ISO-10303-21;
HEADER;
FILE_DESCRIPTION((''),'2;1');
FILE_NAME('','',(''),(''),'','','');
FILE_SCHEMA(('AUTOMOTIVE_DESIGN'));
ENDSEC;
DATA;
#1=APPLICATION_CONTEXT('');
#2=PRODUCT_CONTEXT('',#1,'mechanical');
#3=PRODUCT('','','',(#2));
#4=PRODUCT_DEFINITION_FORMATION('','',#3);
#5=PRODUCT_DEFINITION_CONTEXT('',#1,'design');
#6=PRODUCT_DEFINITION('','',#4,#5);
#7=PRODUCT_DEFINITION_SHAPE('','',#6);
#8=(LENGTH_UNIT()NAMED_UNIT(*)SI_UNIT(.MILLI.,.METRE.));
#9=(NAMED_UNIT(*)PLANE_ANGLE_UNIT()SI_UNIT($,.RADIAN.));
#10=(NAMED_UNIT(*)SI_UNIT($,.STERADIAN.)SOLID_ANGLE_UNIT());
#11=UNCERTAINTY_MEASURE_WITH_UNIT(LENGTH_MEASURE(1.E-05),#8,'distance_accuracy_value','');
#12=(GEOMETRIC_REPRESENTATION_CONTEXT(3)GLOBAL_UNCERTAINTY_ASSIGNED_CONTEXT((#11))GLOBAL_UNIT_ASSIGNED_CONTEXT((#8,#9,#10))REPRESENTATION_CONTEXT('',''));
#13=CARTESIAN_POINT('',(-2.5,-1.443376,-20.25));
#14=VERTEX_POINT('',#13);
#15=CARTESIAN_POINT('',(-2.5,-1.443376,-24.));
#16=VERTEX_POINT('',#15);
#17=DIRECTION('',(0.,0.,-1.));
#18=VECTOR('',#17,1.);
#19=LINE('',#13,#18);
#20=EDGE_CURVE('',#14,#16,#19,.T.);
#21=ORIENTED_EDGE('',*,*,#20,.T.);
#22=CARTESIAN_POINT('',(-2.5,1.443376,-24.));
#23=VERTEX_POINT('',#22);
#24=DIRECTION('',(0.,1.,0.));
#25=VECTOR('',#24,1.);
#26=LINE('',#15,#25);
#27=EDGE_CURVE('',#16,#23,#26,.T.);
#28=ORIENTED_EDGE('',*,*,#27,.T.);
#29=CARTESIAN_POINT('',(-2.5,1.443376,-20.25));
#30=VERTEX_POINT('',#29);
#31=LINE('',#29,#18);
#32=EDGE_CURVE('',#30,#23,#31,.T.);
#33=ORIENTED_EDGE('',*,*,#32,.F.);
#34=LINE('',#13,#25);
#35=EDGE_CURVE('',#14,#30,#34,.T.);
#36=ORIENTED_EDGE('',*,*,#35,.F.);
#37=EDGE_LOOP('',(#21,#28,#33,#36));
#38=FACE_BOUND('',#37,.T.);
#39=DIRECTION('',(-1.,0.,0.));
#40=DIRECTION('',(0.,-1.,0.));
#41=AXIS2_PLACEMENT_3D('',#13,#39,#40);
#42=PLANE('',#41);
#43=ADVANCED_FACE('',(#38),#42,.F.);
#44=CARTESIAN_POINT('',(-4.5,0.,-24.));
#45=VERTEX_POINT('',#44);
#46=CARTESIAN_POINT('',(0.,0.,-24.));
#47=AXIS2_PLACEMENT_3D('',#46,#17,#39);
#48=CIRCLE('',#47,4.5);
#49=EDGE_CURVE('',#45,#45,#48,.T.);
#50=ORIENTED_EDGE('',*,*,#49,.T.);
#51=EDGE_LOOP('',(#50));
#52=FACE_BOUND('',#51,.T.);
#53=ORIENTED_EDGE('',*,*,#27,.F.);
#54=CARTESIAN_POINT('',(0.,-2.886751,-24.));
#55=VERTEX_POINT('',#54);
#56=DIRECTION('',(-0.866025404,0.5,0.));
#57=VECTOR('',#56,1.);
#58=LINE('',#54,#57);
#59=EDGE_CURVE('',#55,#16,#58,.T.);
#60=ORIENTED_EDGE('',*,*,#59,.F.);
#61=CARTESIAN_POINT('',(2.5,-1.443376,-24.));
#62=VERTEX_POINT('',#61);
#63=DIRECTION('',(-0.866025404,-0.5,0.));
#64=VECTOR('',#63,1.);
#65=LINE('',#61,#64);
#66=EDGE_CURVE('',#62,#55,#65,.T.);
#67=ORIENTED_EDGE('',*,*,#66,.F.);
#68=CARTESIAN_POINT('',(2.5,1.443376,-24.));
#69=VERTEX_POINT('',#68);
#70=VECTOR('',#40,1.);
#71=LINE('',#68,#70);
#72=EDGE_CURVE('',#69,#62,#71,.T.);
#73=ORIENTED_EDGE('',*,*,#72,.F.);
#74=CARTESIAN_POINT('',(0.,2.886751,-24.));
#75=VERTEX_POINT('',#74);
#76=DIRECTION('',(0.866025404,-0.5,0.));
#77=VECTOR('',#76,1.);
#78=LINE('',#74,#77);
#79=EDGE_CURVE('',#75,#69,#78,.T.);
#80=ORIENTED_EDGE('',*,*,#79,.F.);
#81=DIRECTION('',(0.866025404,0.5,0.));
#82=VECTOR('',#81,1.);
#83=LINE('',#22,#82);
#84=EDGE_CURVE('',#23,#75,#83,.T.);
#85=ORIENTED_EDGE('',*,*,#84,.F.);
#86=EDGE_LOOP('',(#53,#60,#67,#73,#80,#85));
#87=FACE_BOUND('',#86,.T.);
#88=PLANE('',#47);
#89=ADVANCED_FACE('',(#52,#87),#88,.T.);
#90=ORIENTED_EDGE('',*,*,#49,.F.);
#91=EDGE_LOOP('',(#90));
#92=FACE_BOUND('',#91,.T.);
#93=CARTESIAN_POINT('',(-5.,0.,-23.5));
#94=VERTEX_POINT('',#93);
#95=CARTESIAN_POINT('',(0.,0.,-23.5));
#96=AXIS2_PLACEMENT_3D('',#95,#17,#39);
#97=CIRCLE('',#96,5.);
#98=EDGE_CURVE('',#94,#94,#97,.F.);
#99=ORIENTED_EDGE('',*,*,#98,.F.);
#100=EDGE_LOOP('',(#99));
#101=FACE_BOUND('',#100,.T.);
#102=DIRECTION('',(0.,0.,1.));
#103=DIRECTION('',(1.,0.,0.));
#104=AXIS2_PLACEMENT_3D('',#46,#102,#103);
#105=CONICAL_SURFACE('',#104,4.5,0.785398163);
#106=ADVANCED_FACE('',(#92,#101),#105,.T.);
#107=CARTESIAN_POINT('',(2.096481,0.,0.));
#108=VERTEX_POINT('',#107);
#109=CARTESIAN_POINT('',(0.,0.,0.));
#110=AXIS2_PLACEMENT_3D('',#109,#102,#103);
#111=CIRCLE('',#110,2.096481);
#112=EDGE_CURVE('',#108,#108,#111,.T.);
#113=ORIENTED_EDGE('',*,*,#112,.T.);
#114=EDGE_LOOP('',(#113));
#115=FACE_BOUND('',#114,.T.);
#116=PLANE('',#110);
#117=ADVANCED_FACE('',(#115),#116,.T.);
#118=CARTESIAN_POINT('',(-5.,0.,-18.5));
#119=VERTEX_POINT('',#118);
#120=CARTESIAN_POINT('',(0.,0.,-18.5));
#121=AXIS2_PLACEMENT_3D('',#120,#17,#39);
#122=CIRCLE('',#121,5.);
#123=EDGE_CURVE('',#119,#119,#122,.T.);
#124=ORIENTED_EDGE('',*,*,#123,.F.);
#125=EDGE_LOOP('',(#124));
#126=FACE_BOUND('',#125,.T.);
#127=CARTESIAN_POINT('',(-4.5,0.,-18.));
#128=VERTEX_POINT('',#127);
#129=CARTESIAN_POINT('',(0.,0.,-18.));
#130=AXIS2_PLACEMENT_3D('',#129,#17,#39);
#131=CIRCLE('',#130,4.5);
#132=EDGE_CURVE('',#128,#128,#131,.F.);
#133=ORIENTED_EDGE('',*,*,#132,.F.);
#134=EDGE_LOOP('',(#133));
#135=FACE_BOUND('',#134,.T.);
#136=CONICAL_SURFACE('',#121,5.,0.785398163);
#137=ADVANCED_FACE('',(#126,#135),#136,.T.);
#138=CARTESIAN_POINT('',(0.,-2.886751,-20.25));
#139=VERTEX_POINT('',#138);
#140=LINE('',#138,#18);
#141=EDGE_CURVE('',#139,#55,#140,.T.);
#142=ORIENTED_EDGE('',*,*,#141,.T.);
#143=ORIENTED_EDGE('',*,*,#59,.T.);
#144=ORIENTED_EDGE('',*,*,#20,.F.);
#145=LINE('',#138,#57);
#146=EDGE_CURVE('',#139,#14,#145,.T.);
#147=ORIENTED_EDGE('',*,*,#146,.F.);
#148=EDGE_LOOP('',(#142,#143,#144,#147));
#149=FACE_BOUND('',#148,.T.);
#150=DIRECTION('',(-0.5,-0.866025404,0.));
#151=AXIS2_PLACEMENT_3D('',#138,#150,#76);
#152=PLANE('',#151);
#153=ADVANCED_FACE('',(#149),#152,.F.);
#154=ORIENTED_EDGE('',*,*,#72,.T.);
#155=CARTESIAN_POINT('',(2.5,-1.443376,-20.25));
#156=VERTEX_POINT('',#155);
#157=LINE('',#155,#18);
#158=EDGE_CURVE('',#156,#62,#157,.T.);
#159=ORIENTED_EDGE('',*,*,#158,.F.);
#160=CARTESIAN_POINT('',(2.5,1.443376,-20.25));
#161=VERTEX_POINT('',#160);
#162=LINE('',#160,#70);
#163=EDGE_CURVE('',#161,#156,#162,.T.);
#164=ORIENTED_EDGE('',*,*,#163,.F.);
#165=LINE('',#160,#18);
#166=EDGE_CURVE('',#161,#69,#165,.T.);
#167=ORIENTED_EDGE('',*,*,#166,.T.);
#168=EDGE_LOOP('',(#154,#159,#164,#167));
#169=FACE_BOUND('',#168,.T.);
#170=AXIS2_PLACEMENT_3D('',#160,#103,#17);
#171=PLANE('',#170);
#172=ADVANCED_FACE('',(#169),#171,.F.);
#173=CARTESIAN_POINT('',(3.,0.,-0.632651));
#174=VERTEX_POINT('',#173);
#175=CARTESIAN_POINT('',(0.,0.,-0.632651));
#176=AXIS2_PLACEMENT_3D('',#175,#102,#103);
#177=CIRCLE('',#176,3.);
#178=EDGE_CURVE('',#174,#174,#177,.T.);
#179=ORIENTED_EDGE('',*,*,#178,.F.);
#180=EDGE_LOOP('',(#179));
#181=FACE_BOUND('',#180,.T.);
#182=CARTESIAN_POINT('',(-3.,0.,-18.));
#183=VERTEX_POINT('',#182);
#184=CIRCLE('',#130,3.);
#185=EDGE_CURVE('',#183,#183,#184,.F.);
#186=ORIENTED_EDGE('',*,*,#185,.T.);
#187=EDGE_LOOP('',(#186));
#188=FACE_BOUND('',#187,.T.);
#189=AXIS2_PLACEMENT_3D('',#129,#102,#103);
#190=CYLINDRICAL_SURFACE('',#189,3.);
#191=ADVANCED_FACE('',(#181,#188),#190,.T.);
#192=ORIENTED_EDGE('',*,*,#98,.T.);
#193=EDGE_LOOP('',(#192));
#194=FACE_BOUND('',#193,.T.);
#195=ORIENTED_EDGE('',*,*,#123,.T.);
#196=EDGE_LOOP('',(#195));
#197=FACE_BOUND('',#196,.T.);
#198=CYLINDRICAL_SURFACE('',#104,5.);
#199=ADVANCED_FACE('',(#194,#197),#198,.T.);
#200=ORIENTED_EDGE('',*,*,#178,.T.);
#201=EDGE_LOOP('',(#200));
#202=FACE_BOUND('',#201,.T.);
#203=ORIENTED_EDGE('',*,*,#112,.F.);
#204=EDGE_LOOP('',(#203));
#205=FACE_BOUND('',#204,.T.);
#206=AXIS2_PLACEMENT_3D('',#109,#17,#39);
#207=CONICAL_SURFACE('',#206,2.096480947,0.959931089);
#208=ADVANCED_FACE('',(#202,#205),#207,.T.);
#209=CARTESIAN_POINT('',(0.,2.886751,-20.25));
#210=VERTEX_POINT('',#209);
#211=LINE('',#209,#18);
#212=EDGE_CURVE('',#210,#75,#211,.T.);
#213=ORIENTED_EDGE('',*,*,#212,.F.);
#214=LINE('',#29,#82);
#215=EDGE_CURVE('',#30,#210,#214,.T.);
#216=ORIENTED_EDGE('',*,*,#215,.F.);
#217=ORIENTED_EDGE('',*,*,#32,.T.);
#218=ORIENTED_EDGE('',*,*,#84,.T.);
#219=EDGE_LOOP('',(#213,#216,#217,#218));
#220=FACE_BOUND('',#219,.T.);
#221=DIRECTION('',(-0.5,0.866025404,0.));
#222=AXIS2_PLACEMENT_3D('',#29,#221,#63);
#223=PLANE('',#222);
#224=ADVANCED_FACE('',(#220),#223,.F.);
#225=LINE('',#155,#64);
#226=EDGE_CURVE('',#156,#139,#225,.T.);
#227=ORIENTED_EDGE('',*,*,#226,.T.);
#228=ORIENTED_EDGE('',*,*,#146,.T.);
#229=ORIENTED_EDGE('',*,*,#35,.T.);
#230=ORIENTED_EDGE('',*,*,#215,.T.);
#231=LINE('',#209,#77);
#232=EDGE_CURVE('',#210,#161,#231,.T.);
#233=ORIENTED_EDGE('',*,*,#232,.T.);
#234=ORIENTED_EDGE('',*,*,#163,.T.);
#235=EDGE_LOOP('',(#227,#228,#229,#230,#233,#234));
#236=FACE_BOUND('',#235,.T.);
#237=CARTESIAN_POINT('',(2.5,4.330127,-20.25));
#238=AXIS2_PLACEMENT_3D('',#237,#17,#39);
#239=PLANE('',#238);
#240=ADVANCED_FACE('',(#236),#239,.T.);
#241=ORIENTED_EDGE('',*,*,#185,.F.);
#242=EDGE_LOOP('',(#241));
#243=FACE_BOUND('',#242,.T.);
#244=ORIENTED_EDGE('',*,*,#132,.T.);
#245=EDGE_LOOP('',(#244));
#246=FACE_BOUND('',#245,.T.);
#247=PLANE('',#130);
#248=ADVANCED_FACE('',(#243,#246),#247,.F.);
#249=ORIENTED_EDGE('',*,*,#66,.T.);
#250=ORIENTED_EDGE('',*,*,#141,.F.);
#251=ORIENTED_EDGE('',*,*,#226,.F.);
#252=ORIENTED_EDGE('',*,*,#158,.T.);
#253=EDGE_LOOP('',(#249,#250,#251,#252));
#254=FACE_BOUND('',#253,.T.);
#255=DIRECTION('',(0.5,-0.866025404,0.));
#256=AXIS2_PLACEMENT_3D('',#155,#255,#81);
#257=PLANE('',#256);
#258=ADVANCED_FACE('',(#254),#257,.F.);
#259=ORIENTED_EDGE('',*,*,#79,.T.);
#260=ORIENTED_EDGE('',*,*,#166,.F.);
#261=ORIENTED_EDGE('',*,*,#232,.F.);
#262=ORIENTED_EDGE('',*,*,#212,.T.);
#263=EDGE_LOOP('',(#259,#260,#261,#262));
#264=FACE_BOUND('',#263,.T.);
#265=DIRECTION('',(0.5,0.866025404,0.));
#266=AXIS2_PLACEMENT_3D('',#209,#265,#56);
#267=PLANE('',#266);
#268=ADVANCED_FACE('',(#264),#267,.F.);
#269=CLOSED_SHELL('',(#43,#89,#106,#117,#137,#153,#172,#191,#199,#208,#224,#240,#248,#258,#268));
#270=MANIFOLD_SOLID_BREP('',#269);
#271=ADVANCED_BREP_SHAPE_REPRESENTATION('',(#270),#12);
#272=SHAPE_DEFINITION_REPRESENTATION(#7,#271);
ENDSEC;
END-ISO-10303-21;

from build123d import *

# Parameters (mm, degrees)
SKETCH1_R          = 3
EXTRUDE1_DEPTH     = 18
SKETCH6_R          = 5
EXTRUDE2_DEPTH     = 6
CUT_EXTRUDE1_DEPTH = 3.75
CHAMFER1_SIZE      = 0.5


with BuildPart() as part:
    # Sketch1 → Extrude1 (new body)
    with BuildSketch(Plane.XY):
        Circle(SKETCH1_R)
    extrude(amount=-EXTRUDE1_DEPTH)

    # Sketch4 → Cut-Revolve1 (revolve, cut)
    with BuildSketch(Plane(origin=(0, 0, 0), x_dir=(0, 0, -1), z_dir=(1, 0, 0))):
        Polygon((0.632650852, 3), (0, 2.096480947), (0, 3), align=None)
    revolve(axis=Axis((0, 0, 0), (0, 0, -1)), mode=Mode.SUBTRACT)

    # Sketch6 → Extrude2 (add)
    with BuildSketch(Plane(origin=(0, 0, -18), x_dir=(-1, 0, 0), z_dir=(0, 0, -1))):
        Circle(SKETCH6_R)
    extrude(amount=EXTRUDE2_DEPTH)

    # Sketch7 → Cut-Extrude1 (cut)
    with BuildSketch(Plane(origin=(0, 0, -24), x_dir=(-1, 0, 0), z_dir=(0, 0, -1))):
        Polygon((0, 2.886751346), (-2.5, 1.443375673), (-2.5, -1.443375673), (0, -2.886751346), (2.5, -1.443375673), (2.5, 1.443375673), align=None)
    extrude(amount=-CUT_EXTRUDE1_DEPTH, mode=Mode.SUBTRACT)

    # Chamfer1
    chamfer1_edges = [part.edges().sort_by_distance(p)[0] for p in [
        (5, 0, -24),
        (5, 0, -18),
    ]]
    chamfer(chamfer1_edges, length=CHAMFER1_SIZE)


solid = part.part
